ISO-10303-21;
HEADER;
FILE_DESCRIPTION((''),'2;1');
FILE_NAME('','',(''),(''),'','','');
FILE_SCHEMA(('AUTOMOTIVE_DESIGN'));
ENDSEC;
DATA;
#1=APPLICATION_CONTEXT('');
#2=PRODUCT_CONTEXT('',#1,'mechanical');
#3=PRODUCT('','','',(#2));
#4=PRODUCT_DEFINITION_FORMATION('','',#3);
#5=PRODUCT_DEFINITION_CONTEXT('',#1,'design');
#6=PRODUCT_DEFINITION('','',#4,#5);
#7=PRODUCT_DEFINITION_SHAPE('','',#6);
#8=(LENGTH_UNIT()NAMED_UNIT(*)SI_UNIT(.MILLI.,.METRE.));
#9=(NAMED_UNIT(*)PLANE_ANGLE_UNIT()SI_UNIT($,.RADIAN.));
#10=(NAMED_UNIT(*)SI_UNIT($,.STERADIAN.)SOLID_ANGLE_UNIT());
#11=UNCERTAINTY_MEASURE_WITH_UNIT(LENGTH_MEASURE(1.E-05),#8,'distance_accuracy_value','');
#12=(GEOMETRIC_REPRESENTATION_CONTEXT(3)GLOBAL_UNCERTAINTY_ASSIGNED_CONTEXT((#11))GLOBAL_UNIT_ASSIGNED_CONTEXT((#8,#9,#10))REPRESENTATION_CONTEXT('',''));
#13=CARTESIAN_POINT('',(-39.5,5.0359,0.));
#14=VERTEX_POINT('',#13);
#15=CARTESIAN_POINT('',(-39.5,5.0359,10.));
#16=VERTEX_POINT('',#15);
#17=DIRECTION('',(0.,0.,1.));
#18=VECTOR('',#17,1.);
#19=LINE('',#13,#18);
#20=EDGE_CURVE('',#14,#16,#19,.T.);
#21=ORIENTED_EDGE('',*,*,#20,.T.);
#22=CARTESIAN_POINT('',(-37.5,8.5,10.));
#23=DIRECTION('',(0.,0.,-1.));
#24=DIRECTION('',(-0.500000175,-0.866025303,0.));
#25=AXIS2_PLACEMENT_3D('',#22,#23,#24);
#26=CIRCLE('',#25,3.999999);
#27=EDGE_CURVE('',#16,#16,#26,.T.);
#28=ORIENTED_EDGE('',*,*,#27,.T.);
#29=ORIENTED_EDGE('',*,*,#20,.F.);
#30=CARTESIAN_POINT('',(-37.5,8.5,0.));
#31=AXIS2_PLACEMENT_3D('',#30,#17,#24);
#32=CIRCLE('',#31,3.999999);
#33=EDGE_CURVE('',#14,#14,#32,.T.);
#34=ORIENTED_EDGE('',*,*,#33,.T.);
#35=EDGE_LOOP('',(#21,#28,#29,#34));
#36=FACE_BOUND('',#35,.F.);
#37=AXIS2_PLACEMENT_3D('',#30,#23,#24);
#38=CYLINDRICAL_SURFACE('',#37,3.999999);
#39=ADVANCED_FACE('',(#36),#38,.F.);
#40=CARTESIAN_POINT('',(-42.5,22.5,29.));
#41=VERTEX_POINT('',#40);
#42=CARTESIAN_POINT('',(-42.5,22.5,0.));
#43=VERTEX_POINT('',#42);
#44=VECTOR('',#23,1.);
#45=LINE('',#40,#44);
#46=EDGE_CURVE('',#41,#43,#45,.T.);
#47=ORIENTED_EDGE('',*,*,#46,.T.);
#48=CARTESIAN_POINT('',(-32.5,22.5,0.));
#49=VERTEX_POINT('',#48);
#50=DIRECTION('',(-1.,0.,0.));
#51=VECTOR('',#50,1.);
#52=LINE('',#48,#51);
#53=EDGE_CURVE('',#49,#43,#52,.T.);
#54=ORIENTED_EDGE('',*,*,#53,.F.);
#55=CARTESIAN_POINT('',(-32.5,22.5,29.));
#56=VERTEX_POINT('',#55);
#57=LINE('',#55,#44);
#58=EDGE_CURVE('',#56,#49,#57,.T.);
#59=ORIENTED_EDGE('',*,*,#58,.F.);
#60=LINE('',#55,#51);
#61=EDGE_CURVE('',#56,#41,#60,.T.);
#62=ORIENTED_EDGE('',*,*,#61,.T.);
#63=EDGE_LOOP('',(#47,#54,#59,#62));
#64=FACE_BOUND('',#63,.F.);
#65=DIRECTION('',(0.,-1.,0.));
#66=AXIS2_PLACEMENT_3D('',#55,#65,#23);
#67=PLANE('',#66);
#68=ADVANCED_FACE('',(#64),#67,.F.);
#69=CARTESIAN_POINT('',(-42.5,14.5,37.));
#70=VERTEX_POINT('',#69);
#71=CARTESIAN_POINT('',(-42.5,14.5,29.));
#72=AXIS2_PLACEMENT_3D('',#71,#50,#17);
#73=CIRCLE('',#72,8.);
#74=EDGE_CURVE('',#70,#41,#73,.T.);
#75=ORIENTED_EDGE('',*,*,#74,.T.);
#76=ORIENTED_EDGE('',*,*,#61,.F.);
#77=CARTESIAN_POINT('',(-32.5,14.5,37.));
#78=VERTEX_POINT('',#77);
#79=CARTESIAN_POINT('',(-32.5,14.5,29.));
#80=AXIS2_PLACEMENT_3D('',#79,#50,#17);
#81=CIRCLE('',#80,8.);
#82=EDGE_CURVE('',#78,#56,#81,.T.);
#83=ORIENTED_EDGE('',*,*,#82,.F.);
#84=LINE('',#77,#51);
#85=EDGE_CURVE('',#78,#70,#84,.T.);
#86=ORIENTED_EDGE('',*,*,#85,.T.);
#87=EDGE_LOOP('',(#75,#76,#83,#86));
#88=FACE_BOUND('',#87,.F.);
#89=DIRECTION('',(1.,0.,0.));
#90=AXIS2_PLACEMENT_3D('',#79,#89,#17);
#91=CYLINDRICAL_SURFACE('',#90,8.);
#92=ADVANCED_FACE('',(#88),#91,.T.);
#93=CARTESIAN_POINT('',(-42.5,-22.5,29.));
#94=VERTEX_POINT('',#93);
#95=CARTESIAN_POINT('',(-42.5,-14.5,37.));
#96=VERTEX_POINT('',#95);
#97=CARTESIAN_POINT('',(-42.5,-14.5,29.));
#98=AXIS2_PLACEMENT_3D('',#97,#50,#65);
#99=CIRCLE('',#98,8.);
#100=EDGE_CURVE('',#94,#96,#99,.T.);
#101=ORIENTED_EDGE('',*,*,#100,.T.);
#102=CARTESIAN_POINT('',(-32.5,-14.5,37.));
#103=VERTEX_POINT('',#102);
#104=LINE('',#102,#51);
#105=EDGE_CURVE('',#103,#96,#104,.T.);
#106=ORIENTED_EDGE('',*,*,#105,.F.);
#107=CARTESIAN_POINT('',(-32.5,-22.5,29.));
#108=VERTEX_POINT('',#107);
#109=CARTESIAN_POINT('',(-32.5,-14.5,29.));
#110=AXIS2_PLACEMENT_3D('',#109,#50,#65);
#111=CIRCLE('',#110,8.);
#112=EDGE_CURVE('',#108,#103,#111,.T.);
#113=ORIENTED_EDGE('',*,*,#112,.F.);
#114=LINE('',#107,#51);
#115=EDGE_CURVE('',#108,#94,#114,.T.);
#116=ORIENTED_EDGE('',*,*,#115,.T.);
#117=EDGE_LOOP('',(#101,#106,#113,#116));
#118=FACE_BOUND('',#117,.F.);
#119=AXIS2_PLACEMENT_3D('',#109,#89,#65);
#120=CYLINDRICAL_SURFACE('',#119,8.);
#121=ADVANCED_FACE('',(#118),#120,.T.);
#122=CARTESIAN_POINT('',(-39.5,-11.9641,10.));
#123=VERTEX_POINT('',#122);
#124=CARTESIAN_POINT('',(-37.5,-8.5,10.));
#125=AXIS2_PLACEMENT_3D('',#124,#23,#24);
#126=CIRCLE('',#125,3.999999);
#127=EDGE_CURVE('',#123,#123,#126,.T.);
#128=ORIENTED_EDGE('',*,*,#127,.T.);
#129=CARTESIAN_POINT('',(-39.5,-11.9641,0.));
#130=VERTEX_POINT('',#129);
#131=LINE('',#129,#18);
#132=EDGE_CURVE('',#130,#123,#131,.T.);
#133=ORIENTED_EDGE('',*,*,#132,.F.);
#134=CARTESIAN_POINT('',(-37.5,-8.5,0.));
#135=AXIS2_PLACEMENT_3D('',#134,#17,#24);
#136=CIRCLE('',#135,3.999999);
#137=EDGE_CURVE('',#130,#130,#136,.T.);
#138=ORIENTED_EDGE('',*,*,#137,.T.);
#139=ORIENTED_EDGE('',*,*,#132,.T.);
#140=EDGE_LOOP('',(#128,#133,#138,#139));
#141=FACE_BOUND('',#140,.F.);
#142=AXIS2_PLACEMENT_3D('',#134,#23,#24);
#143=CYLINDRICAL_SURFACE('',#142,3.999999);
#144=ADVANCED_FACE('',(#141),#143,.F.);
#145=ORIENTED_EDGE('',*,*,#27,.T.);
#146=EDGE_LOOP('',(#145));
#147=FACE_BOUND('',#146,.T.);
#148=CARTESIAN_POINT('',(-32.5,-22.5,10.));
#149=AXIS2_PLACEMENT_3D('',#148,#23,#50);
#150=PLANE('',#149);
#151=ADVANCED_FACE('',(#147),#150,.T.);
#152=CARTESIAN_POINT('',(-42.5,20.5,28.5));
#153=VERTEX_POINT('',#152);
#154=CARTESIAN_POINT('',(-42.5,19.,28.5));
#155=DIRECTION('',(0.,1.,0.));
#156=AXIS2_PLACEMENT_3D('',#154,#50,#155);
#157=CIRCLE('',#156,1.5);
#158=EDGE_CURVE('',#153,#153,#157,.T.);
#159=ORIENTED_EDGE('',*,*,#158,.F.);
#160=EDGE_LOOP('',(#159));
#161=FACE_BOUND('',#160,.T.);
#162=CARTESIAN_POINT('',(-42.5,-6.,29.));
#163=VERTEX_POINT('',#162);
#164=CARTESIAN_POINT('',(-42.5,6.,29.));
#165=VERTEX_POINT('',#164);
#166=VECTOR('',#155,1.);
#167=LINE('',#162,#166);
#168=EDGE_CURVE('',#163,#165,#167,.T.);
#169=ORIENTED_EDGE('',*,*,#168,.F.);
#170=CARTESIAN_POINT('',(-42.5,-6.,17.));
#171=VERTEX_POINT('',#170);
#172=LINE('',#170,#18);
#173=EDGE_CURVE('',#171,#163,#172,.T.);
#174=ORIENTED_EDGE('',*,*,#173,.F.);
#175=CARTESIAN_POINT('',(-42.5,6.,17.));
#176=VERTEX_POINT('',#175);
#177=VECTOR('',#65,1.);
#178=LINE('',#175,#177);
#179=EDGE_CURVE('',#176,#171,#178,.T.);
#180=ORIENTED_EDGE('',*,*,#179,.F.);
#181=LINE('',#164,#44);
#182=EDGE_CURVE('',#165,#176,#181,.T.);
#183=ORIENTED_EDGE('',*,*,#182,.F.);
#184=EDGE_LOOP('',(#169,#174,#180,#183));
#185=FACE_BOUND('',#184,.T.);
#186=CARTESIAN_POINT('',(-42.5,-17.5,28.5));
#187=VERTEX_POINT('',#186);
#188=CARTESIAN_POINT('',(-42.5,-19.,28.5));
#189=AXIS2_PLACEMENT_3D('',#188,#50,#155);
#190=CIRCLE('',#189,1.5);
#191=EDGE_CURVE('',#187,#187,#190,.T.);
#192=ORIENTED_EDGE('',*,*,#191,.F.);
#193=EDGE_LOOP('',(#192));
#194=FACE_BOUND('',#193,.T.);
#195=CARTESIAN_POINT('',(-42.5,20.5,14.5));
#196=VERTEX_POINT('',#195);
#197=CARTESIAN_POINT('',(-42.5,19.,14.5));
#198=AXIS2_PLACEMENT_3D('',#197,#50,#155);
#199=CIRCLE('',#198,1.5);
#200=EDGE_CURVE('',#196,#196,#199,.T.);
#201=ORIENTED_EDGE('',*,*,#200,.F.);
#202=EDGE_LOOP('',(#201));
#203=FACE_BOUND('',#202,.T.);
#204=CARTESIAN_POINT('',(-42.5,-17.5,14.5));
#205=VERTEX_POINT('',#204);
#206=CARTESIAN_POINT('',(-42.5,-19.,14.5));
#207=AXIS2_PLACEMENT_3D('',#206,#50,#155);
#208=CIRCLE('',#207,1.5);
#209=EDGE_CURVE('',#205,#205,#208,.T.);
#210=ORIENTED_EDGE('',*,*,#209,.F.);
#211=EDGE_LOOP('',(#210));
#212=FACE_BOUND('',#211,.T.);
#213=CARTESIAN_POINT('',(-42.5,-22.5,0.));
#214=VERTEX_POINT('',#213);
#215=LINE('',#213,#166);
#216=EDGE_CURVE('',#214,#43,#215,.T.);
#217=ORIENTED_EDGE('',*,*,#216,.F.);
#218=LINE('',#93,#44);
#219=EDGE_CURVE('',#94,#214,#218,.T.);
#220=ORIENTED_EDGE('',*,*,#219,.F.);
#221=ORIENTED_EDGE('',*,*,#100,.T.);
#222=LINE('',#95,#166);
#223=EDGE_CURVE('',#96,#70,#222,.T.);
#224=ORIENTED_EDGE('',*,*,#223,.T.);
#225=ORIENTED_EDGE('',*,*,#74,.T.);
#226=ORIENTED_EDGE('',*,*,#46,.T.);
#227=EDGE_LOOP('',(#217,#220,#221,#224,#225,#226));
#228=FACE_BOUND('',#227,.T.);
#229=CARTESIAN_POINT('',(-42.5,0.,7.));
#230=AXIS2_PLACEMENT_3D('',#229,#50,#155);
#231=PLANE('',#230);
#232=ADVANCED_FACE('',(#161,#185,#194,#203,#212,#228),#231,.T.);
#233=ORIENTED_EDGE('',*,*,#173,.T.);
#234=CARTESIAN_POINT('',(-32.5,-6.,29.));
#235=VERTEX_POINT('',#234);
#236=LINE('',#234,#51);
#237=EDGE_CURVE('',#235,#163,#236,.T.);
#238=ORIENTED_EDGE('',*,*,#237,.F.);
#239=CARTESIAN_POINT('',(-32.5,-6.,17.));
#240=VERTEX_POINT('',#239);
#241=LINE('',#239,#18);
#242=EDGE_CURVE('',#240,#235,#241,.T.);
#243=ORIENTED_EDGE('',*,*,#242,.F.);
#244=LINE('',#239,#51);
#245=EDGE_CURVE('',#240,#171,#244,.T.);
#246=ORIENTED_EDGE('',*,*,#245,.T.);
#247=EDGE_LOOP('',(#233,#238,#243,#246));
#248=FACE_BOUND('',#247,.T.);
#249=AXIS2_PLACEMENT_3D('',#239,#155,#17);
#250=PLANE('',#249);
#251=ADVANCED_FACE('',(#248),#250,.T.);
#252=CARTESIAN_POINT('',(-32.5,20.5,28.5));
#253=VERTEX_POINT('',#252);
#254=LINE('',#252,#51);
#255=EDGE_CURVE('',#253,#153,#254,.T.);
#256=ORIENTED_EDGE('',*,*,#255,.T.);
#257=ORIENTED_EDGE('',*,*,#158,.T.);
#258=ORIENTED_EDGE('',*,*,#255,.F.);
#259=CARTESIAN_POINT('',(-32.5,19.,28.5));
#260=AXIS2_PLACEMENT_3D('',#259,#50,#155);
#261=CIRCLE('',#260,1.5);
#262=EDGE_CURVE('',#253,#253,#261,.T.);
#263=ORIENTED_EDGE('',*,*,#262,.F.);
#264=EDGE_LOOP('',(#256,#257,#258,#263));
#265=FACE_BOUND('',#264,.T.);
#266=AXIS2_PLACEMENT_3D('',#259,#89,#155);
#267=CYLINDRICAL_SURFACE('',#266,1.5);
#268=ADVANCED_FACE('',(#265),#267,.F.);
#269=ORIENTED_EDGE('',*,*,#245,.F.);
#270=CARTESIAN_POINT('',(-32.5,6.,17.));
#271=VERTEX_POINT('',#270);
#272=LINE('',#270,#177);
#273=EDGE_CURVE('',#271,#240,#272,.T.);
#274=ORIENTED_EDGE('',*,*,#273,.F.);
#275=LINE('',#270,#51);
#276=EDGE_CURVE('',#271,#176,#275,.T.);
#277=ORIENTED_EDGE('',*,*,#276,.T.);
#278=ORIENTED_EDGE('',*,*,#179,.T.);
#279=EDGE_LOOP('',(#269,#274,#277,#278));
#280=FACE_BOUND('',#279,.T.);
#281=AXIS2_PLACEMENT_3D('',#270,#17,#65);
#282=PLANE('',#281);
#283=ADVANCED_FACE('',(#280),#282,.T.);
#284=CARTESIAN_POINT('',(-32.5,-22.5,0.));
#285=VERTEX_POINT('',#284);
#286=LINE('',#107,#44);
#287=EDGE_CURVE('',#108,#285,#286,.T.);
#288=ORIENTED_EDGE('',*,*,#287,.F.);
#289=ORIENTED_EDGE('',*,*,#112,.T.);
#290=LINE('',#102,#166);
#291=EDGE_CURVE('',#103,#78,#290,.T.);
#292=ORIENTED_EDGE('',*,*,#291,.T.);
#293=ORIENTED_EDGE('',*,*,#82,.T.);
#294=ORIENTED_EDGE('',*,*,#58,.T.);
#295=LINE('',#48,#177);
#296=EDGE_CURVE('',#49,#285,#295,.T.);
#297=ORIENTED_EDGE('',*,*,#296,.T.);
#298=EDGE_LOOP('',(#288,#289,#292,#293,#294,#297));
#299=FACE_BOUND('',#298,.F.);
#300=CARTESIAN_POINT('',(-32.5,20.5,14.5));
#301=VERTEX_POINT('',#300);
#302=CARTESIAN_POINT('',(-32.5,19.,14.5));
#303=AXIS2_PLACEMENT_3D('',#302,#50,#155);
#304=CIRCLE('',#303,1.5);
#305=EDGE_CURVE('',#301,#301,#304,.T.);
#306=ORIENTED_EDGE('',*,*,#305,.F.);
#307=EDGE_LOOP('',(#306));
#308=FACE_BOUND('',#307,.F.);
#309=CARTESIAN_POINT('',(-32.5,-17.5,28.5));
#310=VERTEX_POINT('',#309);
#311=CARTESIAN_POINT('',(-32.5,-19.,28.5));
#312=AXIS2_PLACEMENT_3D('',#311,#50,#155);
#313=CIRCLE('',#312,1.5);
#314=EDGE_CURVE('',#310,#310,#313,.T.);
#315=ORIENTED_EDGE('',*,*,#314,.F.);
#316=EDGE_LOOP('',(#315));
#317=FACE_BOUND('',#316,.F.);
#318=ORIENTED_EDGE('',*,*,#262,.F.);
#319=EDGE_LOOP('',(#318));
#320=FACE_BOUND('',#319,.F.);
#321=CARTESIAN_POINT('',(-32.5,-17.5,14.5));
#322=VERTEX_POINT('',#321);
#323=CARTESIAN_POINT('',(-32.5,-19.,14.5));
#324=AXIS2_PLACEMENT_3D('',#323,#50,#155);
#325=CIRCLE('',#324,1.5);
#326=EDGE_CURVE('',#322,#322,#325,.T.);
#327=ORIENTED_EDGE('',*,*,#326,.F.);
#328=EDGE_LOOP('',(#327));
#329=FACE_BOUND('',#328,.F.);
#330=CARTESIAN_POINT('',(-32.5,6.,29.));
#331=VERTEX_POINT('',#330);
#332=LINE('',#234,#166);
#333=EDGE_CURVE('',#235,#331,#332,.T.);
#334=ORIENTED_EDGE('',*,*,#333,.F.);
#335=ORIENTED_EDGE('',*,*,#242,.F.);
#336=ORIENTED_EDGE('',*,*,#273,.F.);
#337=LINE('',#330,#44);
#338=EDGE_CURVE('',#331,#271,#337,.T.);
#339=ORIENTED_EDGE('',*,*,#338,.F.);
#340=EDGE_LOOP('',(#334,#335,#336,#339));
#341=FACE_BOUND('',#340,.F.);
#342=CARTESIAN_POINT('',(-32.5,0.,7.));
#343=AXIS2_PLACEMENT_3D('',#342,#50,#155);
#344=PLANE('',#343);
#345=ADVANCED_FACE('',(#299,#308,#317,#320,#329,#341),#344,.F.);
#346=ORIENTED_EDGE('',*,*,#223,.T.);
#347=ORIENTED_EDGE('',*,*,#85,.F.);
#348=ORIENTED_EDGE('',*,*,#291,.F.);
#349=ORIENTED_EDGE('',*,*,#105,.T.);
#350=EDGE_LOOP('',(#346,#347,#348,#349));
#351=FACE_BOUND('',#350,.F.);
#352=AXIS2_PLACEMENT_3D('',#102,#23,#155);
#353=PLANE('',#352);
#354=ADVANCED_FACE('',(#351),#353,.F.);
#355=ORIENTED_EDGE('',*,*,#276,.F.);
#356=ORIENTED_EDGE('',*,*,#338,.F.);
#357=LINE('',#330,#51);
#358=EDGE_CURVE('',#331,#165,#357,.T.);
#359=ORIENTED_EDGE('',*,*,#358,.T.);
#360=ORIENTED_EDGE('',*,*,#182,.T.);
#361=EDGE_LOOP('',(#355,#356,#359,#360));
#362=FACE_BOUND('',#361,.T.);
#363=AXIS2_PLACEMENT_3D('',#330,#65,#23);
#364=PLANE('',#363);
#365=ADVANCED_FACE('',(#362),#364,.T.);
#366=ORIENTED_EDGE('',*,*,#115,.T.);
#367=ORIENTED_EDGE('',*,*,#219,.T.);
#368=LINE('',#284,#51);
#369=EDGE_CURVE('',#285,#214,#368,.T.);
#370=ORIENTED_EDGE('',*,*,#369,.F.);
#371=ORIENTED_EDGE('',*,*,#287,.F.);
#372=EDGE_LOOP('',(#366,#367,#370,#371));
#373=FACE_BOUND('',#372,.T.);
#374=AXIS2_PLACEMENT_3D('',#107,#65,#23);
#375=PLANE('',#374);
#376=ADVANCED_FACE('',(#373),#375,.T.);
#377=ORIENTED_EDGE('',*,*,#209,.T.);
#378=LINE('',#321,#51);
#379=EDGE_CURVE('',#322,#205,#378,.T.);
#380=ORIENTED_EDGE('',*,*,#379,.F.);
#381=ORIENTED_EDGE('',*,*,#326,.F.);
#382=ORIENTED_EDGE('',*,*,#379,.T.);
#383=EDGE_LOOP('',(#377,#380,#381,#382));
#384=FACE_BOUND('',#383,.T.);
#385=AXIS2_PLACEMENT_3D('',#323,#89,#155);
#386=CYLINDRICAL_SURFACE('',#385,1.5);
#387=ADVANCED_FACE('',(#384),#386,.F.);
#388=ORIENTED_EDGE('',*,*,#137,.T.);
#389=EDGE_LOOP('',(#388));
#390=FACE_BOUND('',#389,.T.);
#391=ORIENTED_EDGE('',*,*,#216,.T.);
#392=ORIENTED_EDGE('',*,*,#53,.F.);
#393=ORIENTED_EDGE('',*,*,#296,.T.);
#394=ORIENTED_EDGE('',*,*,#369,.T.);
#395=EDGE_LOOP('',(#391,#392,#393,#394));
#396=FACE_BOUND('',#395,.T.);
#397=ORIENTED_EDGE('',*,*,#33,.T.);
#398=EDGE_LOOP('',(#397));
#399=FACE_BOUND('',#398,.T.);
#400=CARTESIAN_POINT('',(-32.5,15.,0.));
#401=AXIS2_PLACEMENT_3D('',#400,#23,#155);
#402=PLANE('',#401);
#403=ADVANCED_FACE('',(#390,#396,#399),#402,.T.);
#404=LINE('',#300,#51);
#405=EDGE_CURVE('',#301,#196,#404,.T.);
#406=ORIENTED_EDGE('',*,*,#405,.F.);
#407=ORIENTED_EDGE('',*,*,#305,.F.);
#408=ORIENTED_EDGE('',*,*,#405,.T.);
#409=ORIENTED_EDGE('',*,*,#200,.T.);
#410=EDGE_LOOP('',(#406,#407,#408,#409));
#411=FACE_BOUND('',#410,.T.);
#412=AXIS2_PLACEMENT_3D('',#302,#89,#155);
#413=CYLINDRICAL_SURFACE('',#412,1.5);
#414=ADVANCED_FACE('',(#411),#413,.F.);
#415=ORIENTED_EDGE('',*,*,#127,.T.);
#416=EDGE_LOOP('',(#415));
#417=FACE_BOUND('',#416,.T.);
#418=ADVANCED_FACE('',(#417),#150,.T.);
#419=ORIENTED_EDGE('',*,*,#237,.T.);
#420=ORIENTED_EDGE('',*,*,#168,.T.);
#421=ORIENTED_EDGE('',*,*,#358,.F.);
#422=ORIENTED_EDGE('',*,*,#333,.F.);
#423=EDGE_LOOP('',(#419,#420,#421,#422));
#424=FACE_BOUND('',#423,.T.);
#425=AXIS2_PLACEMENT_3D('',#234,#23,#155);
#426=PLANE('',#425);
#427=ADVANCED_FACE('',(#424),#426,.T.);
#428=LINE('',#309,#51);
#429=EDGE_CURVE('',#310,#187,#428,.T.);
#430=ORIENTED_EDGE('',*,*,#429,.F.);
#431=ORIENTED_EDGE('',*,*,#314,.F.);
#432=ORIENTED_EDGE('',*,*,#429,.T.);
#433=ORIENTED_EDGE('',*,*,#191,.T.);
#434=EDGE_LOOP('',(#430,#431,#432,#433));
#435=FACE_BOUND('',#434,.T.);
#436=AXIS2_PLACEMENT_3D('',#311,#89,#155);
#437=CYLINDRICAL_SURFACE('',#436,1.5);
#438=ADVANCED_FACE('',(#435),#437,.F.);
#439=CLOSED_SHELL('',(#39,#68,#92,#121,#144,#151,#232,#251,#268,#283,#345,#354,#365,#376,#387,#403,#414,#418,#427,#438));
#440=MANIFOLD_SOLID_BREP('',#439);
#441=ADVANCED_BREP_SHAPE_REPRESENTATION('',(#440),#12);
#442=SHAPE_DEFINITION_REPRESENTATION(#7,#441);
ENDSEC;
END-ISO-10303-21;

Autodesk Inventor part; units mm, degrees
ref_plane "YZ Plane" through (0, 0, 0) normal (1, 0, 0) x (0, 1, 0)
ref_plane "XZ Plane" through (0, 0, 0) normal (0, 1, 0) x (-1, 0, 0)
ref_plane "XY Plane" through (0, 0, 0) normal (0, 0, 1) x (1, 0, 0)
ref_plane "РабПлоскость1" through (-32.5, 0, 7) normal (-1, 0, 0) x (0, 1, 0)
sketch "Эскиз1" plane through (-32.5, 0, 7) normal (-1, 0, 0) x (0, 1, 0)
  line L0 (15, -5) -> (15, -24) projected
  arc A0 (15, -5) -> (15, 5) centre (15, 0) ccw projected
  line L1 (15, -24) -> (-15, -24) projected
  arc A1 (14.5, -30) -> (22.5, -22) centre (14.5, -22) ccw projected
  line L2 (-14.5, -30) -> (14.5, -30) projected
  arc A2 (-22.5, -22) -> (-14.5, -30) centre (-14.5, -22) ccw projected
  circle A3 centre (-19, -21.5) radius 1.5 projected
  circle A4 centre (-19, -7.5) radius 1.5 projected
  circle A5 centre (19, -21.5) radius 1.5 projected
  circle A6 centre (19, -7.5) radius 1.5 projected
  line L3 (-15, -24) -> (-15, 24) construction
  line L4 (-22.5, 24) -> (-22.5, -22) construction
  line L5 (22.5, -22) -> (22.5, 24) construction
  line L6 (15, 24) -> (15, 5) construction
  line L7 (22.5, -22) -> (22.5, 7)
  line L8 (14, 7) -> (-14, 7) projected
  line L9 (14, 7) -> (22.5, 7)
  line L10 (-14, 7) -> (-15, 7)
  line L11 (-15, 7) -> (-15, -24)
  line L12 (-22.5, -22) -> (-22.5, 7)
  line L13 (-22.5, 7) -> (-15, 7)
  line L14 (15, 5) -> (15, 7)
  line L15 (-6, -22) -> (6, -22)
  line L16 (6, -22) -> (6, -10)
  line L17 (6, -10) -> (-6, -10)
  line L18 (-6, -10) -> (-6, -22)
  point P0 (0, 7)
  point P1 (0, -10)
  dimension "d0" = 2
  dimension "d1" = 12
  dimension "d2" = 12
extrude "Выдавливание1" add sketch "Эскиз1" along normal blind 10
sketch "Эскиз2" plane through (-32.5, -22.5, 0) normal (0, 0, -1) x (-1, 0, 0)
  arc A0 (7, 34.4641) -> (7, 27.5359) centre (5, 31) ccw projected
  arc A1 (7, 17.4641) -> (7, 10.5359) centre (5, 14) ccw projected
  arc A2 (7, 27.5359) -> (7, 34.4641) centre (5, 31) ccw
  arc A3 (7, 10.5359) -> (7, 17.4641) centre (5, 14) ccw
  point P0 (-32.5, 22.5)
extrude "Выдавливание2" cut sketch "Эскиз2" against normal blind 10
equation "\"d2\" = d1"
properties part number "upper_cup"
